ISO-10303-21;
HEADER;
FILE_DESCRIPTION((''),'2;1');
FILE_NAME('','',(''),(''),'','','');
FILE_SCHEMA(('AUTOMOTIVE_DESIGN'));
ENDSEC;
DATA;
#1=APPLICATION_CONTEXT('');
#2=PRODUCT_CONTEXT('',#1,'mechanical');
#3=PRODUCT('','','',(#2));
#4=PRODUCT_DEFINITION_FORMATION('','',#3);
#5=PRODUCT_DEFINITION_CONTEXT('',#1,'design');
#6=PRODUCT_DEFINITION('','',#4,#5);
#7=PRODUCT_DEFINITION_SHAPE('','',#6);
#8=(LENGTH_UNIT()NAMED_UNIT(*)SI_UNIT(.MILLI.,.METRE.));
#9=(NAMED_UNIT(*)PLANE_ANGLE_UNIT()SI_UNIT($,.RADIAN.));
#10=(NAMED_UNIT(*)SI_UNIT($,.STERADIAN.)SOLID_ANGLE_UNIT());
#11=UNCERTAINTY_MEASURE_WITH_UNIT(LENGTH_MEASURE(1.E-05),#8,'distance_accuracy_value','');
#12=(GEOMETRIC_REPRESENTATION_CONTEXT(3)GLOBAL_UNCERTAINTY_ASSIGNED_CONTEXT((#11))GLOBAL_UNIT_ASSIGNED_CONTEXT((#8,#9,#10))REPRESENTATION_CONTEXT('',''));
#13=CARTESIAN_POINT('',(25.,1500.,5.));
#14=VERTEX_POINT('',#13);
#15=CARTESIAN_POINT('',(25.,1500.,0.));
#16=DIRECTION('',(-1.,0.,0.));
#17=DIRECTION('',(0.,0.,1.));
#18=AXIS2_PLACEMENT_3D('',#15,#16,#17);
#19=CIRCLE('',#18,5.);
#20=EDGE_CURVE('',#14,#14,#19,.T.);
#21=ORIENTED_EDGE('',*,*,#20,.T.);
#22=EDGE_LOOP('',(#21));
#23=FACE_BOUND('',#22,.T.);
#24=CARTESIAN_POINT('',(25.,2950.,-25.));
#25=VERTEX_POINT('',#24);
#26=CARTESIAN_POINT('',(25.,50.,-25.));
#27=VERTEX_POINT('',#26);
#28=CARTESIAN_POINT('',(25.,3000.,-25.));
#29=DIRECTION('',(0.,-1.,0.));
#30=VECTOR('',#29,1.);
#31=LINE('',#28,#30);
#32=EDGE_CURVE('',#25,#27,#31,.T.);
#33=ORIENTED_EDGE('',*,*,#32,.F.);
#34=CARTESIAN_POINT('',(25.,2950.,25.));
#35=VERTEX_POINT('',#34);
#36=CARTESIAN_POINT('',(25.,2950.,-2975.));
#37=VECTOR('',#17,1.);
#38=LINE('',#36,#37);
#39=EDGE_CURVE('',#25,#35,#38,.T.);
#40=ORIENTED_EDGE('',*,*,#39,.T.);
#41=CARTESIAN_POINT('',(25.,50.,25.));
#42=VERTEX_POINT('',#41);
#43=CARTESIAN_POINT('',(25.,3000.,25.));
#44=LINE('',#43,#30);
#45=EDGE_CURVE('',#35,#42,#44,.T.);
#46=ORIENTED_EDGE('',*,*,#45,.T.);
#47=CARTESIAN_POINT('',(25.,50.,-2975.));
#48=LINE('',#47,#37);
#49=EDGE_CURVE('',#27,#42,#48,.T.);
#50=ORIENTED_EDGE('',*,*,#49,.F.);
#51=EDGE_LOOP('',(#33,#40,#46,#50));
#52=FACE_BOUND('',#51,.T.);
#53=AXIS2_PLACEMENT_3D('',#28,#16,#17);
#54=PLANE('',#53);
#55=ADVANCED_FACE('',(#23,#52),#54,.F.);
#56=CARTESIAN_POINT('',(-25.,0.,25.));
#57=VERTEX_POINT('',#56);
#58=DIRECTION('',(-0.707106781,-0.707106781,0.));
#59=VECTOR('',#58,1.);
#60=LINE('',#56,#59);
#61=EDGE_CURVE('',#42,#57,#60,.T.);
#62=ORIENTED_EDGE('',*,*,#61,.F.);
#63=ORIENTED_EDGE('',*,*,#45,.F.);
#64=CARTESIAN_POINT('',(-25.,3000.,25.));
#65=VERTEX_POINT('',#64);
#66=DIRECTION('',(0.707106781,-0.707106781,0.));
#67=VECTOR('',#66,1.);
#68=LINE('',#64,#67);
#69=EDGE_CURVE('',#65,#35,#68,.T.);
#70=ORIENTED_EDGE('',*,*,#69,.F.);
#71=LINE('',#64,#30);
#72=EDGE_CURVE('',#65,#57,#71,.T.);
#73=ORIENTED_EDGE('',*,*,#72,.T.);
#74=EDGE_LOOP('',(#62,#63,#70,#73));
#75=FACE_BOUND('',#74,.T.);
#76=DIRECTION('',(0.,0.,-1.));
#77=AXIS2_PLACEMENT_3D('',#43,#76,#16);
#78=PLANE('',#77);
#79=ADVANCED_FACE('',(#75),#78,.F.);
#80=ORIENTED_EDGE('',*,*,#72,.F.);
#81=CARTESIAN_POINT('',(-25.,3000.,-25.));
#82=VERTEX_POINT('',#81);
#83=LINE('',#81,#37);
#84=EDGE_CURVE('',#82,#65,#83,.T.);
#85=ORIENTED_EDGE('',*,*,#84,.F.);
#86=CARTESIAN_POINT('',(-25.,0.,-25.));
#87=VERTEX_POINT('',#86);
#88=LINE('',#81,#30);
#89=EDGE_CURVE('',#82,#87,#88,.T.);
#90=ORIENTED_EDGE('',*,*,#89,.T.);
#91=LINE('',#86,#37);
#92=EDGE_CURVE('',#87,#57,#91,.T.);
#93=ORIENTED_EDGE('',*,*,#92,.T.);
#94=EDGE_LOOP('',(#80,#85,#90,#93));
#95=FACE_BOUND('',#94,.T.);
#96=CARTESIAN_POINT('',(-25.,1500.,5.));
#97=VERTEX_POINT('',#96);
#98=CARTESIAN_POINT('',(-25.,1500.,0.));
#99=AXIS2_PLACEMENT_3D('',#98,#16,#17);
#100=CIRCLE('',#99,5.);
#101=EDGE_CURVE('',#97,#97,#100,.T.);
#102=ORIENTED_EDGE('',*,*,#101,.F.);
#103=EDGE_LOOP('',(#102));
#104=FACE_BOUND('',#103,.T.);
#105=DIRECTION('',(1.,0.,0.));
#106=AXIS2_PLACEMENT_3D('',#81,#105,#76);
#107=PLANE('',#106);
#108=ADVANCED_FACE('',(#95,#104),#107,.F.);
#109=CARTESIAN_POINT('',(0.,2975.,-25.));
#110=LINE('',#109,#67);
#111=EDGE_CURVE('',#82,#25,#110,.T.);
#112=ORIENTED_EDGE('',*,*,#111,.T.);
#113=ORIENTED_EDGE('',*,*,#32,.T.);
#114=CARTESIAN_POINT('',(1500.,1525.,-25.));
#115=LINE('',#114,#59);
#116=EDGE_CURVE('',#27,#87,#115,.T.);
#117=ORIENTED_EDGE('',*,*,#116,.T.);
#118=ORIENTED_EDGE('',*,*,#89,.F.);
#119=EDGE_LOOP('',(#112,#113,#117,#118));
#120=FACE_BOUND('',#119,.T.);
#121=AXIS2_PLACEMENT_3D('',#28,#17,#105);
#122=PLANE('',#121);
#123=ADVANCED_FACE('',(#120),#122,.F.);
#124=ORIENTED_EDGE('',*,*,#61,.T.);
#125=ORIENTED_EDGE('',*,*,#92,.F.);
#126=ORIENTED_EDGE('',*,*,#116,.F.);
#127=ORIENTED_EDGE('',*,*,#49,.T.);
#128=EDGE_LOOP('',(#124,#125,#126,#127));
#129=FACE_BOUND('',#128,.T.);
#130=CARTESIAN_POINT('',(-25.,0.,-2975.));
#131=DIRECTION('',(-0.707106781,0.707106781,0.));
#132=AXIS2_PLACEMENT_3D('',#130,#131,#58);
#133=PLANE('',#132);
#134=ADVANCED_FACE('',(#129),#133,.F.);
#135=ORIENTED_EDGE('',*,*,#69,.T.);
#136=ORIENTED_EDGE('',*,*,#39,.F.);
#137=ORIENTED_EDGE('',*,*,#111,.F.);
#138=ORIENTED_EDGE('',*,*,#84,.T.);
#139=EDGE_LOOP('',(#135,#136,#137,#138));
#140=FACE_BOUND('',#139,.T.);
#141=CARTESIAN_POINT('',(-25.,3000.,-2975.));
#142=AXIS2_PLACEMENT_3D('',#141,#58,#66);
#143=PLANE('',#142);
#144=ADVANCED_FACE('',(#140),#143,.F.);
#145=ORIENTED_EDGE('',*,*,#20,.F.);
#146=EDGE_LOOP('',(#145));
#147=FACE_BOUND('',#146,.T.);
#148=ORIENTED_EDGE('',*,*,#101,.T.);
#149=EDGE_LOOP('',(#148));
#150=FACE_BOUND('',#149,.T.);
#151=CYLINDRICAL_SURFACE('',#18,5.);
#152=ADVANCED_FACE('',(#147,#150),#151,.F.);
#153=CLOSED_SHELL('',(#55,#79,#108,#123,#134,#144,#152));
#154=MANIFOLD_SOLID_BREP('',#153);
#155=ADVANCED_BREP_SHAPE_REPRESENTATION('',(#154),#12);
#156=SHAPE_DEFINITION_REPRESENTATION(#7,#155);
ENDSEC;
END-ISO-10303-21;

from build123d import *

# Parameters (mm, degrees)
SKETCH_1_W          = 50
SKETCH_1_H          = 50
EXTRUDE_1_DEPTH     = 3000
CUT_EXTRUDE_1_DEPTH = 3000
SKETCH_4_R          = 5
CUT_EXTRUDE_2_DEPTH = 50


with BuildPart() as part:
    # Эскиз1 → Бобышка-Вытянуть1 (new body)
    with BuildSketch(Plane(origin=(0, 0, 0), x_dir=(1, 0, 0), z_dir=(0, 1, 0))):
        Rectangle(SKETCH_1_W, SKETCH_1_H)
    extrude(amount=EXTRUDE_1_DEPTH)

    # Эскиз2 → Вырез-Вытянуть1 (cut)
    with BuildSketch(Plane.XY.offset(25)):
        Polygon((25, 3000), (-25, 3000), (25, 2950), align=None)
        Polygon((25, 0), (-25, 0), (25, 50), align=None)
    extrude(amount=-CUT_EXTRUDE_1_DEPTH, mode=Mode.SUBTRACT)

    # Эскиз4 → Вырез-Вытянуть2 (cut)
    with BuildSketch(Plane.ZY.offset(25)):
        with Locations((0, 1500)):
            Circle(SKETCH_4_R)
    extrude(amount=-CUT_EXTRUDE_2_DEPTH, mode=Mode.SUBTRACT)


solid = part.part
